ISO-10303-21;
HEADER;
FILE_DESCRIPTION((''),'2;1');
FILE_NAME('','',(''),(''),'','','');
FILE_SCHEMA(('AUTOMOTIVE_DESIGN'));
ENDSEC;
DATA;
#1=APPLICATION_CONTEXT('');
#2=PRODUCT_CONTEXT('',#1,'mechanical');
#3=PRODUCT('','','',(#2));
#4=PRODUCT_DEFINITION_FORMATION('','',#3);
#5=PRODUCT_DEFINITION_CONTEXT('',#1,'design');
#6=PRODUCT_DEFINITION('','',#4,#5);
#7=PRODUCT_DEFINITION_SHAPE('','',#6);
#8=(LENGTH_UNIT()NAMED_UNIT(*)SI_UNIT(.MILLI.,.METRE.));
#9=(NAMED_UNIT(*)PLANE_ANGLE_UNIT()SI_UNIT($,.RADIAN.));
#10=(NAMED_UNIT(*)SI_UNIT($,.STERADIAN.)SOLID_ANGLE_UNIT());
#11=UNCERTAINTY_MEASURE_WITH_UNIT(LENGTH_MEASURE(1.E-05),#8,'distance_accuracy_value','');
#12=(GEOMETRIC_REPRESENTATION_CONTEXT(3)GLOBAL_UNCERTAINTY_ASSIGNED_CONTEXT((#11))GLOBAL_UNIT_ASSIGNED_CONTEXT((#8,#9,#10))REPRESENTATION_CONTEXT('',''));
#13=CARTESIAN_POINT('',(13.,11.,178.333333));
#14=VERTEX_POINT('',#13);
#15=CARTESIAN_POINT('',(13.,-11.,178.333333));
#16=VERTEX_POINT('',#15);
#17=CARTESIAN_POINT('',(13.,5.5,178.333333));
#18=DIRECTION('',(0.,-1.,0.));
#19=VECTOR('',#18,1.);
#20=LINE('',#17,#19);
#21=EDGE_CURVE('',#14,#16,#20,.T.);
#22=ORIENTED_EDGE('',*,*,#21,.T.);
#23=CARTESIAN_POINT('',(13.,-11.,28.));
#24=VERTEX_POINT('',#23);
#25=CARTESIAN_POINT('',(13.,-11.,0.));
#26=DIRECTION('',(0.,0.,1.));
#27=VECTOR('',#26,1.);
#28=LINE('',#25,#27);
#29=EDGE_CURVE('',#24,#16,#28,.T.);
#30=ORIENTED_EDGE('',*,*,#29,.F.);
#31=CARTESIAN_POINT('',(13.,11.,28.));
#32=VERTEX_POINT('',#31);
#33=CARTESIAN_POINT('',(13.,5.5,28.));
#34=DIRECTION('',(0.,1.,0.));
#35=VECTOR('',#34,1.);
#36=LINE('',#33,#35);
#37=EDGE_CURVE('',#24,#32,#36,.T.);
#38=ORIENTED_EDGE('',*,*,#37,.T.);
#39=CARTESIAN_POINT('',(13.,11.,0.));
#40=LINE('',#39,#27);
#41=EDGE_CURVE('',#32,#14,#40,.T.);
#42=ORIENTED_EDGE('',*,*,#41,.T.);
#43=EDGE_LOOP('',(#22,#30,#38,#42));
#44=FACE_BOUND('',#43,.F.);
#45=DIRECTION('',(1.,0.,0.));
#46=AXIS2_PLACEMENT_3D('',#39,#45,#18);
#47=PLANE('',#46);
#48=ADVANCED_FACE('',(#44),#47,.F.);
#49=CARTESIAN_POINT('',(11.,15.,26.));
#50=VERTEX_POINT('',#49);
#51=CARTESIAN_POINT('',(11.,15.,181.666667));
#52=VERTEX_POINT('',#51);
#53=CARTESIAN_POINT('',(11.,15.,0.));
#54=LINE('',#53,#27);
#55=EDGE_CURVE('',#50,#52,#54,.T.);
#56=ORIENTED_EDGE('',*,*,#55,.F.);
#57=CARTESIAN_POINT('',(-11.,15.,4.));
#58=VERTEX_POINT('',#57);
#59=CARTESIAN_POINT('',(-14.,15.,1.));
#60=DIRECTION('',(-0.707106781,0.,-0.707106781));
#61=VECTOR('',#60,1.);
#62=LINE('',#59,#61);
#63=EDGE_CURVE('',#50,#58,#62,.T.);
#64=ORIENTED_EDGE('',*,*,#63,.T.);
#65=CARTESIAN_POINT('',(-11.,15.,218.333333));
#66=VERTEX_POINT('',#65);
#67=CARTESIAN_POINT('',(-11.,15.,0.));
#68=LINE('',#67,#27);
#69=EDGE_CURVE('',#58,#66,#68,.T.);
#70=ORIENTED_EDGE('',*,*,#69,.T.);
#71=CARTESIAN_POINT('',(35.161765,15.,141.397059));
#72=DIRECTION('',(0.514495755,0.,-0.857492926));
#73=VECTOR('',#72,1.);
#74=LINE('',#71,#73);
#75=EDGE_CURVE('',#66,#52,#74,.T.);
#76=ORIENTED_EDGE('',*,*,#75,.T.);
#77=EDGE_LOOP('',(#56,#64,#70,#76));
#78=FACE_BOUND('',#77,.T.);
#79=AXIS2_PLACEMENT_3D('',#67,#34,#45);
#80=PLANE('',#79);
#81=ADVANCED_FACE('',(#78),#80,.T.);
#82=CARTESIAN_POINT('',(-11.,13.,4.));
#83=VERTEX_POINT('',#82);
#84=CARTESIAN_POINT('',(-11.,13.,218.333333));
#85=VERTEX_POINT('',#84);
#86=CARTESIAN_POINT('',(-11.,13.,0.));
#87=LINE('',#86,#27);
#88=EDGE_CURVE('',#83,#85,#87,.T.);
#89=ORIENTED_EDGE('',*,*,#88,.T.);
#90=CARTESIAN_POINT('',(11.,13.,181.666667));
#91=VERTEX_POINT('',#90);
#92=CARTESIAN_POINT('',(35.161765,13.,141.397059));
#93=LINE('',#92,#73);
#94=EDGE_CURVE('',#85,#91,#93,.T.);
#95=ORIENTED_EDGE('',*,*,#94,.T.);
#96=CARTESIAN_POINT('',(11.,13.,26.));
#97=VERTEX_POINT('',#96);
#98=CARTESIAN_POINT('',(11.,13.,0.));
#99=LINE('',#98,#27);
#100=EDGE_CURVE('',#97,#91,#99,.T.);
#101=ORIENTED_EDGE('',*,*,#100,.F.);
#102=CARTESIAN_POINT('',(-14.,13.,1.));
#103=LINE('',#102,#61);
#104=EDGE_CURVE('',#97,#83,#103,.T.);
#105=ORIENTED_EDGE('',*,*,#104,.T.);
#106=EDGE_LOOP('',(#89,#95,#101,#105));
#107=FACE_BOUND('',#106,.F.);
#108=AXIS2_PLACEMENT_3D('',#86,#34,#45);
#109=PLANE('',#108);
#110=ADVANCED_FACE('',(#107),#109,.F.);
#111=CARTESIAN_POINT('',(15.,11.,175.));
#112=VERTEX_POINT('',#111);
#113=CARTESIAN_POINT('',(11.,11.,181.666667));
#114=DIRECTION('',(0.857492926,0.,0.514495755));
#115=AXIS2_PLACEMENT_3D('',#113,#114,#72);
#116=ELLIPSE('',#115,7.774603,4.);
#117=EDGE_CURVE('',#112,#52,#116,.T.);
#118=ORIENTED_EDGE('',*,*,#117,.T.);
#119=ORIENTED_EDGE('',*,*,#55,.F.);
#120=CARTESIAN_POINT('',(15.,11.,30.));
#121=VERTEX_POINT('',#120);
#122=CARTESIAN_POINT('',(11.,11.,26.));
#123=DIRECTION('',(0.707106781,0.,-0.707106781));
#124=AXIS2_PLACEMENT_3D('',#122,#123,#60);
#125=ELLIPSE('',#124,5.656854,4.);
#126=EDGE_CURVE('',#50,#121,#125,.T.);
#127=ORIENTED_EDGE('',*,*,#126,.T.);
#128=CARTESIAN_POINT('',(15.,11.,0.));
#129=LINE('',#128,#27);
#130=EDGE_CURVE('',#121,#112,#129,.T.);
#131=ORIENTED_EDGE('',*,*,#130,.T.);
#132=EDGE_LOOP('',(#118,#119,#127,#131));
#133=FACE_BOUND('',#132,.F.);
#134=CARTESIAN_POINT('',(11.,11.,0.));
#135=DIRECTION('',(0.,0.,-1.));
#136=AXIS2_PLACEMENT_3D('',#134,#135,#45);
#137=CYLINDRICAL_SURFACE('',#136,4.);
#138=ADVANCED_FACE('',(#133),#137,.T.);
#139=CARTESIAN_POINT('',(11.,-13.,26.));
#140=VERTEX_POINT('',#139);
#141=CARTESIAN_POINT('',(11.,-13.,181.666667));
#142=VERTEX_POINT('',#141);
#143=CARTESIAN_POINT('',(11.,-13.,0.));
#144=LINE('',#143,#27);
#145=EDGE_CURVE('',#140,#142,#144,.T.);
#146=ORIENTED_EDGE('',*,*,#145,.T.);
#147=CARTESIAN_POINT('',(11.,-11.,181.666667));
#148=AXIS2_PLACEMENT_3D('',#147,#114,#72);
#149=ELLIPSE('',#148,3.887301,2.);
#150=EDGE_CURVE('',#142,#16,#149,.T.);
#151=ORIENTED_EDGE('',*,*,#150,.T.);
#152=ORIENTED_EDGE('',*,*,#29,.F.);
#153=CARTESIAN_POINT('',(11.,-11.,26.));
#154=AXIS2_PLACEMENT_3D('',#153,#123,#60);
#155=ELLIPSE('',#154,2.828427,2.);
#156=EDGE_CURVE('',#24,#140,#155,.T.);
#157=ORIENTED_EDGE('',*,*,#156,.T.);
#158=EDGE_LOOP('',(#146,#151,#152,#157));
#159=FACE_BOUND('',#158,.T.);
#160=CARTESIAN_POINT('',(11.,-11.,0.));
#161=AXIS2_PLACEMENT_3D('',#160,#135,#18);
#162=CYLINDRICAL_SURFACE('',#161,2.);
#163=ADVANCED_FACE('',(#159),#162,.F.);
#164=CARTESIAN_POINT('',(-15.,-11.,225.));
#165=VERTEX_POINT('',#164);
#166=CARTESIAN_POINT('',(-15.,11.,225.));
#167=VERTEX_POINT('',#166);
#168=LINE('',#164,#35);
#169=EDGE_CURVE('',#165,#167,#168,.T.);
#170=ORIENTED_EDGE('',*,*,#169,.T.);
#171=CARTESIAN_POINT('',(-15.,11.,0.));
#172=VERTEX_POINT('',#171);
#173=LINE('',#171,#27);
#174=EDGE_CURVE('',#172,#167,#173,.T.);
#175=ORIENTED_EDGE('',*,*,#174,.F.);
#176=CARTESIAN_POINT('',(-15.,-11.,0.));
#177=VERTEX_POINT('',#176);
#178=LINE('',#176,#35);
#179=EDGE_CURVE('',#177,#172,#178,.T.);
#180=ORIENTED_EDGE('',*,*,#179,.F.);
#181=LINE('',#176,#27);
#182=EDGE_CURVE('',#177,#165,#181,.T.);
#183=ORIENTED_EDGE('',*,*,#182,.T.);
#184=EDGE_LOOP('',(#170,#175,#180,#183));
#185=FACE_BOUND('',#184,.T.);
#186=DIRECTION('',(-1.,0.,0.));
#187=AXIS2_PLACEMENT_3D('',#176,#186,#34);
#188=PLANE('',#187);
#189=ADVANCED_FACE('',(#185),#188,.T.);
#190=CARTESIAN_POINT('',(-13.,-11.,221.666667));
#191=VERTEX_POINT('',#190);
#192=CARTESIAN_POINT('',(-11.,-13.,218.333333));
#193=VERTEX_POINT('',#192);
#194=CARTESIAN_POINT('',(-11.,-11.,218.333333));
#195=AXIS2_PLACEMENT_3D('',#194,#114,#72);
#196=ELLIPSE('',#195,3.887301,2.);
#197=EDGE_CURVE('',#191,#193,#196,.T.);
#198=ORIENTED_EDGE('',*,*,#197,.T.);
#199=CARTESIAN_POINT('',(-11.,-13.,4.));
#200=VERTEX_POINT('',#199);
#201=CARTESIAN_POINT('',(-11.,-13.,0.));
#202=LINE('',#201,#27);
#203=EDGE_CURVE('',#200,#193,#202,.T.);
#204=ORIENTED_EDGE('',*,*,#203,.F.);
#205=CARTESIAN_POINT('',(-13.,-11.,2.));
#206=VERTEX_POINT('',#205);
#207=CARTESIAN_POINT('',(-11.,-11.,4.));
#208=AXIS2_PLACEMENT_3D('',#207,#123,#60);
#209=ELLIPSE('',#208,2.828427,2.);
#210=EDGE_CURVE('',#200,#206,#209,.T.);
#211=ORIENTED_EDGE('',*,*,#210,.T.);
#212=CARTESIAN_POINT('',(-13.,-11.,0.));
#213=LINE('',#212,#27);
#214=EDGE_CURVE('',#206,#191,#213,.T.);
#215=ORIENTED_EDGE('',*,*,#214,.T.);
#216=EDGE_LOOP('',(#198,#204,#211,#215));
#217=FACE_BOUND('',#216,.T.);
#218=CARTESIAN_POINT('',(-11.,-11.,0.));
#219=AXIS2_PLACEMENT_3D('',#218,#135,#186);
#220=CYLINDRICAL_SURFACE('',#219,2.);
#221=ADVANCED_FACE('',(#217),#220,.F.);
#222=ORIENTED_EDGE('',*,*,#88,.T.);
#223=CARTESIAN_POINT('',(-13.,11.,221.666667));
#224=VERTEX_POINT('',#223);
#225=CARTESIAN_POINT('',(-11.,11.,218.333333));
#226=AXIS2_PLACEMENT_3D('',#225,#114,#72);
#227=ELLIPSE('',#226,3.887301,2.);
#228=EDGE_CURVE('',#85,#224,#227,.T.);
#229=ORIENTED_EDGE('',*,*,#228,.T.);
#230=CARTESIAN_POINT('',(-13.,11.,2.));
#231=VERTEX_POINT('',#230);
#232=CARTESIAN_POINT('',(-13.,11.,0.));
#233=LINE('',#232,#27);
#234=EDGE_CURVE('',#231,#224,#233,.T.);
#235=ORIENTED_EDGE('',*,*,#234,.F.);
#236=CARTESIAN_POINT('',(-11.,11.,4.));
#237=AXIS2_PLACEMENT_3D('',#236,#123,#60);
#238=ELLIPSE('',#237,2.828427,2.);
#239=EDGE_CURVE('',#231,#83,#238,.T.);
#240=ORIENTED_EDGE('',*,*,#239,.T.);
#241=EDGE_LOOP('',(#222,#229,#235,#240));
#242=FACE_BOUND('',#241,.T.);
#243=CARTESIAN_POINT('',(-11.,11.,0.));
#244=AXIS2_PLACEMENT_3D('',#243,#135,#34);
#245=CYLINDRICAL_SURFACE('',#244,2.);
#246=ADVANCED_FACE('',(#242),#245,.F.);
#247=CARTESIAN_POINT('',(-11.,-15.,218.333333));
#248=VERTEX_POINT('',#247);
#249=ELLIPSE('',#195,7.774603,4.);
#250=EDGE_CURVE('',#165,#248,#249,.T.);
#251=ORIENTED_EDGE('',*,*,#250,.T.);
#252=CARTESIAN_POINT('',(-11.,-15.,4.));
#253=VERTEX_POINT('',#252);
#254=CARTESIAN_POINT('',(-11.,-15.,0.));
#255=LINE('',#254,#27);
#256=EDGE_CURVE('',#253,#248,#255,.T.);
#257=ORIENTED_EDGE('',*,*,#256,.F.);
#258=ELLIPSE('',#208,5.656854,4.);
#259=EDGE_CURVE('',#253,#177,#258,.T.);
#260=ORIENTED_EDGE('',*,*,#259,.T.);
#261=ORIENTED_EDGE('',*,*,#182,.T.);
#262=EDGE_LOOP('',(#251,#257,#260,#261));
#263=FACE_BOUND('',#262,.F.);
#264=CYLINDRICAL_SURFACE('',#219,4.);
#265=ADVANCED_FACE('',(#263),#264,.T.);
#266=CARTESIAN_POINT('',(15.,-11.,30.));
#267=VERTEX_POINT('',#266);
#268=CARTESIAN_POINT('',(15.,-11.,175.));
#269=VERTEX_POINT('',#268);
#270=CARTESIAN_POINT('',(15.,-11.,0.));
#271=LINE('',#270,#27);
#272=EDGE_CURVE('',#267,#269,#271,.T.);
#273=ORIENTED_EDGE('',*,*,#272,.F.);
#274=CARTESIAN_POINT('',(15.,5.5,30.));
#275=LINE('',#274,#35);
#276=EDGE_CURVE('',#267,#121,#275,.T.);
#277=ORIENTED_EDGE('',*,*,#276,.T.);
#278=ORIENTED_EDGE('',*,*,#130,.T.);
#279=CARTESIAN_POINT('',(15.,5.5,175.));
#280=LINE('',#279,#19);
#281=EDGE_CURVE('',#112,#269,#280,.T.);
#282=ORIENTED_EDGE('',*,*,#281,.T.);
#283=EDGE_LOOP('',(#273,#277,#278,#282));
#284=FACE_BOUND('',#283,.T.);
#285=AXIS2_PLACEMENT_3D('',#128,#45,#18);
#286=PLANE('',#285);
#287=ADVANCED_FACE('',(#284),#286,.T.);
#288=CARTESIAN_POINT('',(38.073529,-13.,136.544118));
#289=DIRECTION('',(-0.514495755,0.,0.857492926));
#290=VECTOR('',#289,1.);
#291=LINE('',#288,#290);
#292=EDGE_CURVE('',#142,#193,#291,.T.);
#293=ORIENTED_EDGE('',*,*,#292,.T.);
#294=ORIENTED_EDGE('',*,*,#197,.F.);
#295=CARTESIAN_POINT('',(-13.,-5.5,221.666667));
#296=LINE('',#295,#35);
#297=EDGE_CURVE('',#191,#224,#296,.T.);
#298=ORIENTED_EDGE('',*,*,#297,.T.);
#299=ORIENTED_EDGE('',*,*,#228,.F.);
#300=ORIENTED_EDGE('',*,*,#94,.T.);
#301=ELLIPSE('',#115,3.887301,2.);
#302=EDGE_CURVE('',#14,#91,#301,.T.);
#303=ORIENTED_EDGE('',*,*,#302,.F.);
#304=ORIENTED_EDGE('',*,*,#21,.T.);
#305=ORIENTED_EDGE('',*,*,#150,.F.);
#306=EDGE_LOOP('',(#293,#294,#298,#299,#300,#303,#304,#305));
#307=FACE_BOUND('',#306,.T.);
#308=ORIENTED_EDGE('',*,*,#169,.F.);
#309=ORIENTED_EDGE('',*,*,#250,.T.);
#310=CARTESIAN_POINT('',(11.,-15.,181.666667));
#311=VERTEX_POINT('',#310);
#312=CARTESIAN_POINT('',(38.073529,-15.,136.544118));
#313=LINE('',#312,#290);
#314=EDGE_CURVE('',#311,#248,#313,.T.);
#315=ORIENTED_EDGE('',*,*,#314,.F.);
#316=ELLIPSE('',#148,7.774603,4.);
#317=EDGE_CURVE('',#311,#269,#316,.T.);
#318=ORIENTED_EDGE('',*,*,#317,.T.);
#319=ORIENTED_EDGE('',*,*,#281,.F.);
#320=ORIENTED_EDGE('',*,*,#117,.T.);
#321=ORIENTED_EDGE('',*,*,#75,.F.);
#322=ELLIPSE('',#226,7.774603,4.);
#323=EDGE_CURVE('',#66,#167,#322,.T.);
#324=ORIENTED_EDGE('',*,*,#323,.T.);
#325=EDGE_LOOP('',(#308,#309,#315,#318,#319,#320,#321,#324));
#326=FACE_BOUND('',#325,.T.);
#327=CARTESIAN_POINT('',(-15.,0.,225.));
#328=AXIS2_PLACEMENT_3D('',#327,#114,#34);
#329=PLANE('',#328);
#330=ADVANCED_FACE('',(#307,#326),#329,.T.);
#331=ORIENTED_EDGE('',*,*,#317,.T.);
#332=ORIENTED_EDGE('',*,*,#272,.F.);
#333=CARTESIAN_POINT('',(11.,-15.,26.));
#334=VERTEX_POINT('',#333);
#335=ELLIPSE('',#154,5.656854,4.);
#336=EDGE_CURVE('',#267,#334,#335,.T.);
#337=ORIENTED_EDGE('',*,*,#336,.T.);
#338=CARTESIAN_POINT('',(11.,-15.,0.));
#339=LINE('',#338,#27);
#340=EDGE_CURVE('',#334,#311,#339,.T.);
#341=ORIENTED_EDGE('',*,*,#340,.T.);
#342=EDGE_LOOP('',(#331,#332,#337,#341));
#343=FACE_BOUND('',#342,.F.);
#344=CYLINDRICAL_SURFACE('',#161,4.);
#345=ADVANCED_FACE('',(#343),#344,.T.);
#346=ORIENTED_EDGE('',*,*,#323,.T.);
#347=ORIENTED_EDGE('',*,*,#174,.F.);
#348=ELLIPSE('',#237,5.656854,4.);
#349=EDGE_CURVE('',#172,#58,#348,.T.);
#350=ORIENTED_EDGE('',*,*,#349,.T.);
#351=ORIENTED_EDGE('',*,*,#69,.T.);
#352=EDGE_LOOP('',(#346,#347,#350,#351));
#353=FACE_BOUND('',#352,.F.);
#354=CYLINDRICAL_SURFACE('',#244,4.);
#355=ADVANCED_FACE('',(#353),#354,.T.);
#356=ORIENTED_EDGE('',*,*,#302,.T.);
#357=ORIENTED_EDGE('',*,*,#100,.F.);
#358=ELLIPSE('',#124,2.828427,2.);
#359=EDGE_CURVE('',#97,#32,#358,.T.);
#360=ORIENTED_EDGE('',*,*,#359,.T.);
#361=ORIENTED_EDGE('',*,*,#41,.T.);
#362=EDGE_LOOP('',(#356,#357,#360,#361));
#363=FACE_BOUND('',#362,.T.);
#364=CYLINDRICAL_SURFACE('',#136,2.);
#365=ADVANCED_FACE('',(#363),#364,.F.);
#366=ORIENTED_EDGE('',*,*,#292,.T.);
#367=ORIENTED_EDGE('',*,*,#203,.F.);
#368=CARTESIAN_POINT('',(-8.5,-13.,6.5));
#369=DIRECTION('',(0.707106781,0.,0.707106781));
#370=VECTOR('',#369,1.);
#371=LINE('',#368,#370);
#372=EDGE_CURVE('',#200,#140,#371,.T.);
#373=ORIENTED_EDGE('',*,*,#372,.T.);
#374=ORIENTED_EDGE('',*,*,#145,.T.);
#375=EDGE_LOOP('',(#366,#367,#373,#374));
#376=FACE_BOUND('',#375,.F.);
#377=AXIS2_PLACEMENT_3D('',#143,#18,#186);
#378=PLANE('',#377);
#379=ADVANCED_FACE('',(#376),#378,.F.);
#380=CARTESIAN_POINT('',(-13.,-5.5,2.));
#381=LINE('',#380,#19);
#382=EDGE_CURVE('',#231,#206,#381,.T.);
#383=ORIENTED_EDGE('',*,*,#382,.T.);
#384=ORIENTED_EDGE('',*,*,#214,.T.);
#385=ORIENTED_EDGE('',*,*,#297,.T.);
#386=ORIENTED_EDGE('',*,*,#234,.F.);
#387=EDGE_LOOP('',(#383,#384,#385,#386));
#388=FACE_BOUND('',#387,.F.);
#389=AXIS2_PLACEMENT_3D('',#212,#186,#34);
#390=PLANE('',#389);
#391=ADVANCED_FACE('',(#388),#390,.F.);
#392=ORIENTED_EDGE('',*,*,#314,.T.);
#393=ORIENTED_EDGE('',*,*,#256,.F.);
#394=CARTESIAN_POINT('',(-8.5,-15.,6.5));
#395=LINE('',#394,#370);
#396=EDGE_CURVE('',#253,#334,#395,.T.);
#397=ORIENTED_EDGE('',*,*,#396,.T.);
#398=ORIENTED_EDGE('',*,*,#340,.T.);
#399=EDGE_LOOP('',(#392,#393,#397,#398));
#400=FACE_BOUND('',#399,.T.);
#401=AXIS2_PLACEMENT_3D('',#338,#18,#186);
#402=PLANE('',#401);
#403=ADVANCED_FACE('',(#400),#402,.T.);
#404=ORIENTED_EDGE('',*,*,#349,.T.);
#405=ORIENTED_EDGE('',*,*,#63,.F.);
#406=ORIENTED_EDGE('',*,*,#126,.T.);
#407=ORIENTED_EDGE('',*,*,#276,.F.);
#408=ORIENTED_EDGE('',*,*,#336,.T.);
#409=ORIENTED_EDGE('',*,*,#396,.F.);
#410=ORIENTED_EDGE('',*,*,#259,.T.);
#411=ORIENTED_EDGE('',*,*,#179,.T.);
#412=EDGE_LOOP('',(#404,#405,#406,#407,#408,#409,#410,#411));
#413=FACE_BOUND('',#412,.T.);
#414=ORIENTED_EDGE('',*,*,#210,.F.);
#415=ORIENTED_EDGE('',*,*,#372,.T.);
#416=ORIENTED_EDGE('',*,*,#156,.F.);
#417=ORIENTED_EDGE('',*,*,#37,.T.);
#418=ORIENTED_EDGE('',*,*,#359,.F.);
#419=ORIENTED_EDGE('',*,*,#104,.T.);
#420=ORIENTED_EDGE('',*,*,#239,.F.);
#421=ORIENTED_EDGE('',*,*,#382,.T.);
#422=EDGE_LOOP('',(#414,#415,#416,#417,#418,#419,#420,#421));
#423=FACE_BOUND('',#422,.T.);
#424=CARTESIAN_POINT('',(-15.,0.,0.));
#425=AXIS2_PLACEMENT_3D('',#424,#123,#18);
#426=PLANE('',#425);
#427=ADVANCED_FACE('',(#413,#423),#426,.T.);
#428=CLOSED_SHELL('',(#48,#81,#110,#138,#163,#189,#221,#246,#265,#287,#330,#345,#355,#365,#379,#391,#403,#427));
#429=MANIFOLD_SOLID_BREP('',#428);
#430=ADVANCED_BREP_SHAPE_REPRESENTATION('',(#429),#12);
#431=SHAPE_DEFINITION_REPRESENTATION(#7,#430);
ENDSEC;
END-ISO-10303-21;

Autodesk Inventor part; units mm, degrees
ref_plane "Plano inicial" through (0, 0, 0) normal (0, 0, 1) x (1, 0, 0)
ref_plane "Plano final" through (0, 0, 225) normal (0, 0, 1) x (1, 0, 0)
sketch "Esboço" plane through (0, 0, 0) normal (0, 0, 1) x (1, 0, 0)
  line L0 (-15, -11) -> (-15, 11)
  line L1 (-11, 15) -> (11, 15)
  line L2 (15, 11) -> (15, -11)
  line L3 (11, -15) -> (-11, -15)
  arc A0 (-15, -11) -> (-11, -15) centre (-11, -11) ccw
  arc A1 (15, 11) -> (11, 15) centre (11, 11) ccw
  arc A2 (-11, 15) -> (-15, 11) centre (-11, 11) ccw
  arc A3 (11, -15) -> (15, -11) centre (11, -11) ccw
  arc A4 (-11, 13) -> (-13, 11) centre (-11, 11) ccw
  line L4 (-11, 13) -> (11, 13)
  arc A5 (13, 11) -> (11, 13) centre (11, 11) ccw
  line L5 (13, 11) -> (13, -11)
  arc A6 (11, -13) -> (13, -11) centre (11, -11) ccw
  line L6 (11, -13) -> (-11, -13)
  arc A7 (-13, -11) -> (-11, -13) centre (-11, -11) ccw
  line L7 (-13, -11) -> (-13, 11)
  line L8 (0, 22.1598) -> (0, -22.1598) construction
  line L9 (-22.1598, 0) -> (22.1598, 0) construction
  dimension "d7" = 4
  dimension "d9" = 30
  dimension "d11" = 30
  dimension "d12" = 2
  dimension "d15" = 15
  dimension "d16" = 15
extrude "Corpo" add sketch "Esboço" along normal up to surface (225 mm away) from surface at 0
sketch "Sketch3" plane through (0, 0, 0) normal (0, 0, 1) x (1, 0, 0)
  line L0 (0, 0) -> (10, 0)
ref_plane "Work Plane3" through (0, 0, 0) normal (0, -1, 0) x (1, 0, 0)
sketch "Sketch4" plane through (0, 0, 0) normal (0, -1, 0) x (1, 0, 0)
  line L0 (-2, 0) -> (12, 0)
  line L1 (-2, 225) -> (12, 225)
  dimension "d18" = 225
ref_plane "Plano de trabalho5" through (-15, 0, 0) normal (0.7071, 0, -0.7071) x (-0.7071, 0, -0.7071)
split "Dividir2" plane through (-15, 0, 0) removes the side toward (0.7071, 0, -0.7071)
ref_plane "Plano de trabalho6" through (-15, 0, 225) normal (0.8575, 0, 0.5145) x (0.5145, 0, -0.8575)
split "Dividir3" plane through (-15, 0, 225) removes the side toward (0.8575, 0, 0.5145)
equation "\"d7\" = G_IR"
equation "\"d9\" = G_W"
equation "\"d11\" = G_H"
equation "\"d12\" = G_T"
equation "\"d15\" = 0.5 * d9"
equation "\"d16\" = 0.5 * d11"
equation "\"d3\" = G_L"
equation "\"G_W\" = 30"
equation "\"G_H\" = 30"
equation "\"G_T\" = 2"
equation "\"G_IR\" = 4"
equation "\"G_L\" = d18"
equation "\"G_OFFSET_START\" = 0"
equation "\"G_OFFSET_END\" = 50"
equation "\"d14\" = G_OFFSET_END + B_L"
equation "\"B_L\" = 175"
properties part number "ISO 10799-2 - 30x30x2 - 225" material "Aço, suave"
